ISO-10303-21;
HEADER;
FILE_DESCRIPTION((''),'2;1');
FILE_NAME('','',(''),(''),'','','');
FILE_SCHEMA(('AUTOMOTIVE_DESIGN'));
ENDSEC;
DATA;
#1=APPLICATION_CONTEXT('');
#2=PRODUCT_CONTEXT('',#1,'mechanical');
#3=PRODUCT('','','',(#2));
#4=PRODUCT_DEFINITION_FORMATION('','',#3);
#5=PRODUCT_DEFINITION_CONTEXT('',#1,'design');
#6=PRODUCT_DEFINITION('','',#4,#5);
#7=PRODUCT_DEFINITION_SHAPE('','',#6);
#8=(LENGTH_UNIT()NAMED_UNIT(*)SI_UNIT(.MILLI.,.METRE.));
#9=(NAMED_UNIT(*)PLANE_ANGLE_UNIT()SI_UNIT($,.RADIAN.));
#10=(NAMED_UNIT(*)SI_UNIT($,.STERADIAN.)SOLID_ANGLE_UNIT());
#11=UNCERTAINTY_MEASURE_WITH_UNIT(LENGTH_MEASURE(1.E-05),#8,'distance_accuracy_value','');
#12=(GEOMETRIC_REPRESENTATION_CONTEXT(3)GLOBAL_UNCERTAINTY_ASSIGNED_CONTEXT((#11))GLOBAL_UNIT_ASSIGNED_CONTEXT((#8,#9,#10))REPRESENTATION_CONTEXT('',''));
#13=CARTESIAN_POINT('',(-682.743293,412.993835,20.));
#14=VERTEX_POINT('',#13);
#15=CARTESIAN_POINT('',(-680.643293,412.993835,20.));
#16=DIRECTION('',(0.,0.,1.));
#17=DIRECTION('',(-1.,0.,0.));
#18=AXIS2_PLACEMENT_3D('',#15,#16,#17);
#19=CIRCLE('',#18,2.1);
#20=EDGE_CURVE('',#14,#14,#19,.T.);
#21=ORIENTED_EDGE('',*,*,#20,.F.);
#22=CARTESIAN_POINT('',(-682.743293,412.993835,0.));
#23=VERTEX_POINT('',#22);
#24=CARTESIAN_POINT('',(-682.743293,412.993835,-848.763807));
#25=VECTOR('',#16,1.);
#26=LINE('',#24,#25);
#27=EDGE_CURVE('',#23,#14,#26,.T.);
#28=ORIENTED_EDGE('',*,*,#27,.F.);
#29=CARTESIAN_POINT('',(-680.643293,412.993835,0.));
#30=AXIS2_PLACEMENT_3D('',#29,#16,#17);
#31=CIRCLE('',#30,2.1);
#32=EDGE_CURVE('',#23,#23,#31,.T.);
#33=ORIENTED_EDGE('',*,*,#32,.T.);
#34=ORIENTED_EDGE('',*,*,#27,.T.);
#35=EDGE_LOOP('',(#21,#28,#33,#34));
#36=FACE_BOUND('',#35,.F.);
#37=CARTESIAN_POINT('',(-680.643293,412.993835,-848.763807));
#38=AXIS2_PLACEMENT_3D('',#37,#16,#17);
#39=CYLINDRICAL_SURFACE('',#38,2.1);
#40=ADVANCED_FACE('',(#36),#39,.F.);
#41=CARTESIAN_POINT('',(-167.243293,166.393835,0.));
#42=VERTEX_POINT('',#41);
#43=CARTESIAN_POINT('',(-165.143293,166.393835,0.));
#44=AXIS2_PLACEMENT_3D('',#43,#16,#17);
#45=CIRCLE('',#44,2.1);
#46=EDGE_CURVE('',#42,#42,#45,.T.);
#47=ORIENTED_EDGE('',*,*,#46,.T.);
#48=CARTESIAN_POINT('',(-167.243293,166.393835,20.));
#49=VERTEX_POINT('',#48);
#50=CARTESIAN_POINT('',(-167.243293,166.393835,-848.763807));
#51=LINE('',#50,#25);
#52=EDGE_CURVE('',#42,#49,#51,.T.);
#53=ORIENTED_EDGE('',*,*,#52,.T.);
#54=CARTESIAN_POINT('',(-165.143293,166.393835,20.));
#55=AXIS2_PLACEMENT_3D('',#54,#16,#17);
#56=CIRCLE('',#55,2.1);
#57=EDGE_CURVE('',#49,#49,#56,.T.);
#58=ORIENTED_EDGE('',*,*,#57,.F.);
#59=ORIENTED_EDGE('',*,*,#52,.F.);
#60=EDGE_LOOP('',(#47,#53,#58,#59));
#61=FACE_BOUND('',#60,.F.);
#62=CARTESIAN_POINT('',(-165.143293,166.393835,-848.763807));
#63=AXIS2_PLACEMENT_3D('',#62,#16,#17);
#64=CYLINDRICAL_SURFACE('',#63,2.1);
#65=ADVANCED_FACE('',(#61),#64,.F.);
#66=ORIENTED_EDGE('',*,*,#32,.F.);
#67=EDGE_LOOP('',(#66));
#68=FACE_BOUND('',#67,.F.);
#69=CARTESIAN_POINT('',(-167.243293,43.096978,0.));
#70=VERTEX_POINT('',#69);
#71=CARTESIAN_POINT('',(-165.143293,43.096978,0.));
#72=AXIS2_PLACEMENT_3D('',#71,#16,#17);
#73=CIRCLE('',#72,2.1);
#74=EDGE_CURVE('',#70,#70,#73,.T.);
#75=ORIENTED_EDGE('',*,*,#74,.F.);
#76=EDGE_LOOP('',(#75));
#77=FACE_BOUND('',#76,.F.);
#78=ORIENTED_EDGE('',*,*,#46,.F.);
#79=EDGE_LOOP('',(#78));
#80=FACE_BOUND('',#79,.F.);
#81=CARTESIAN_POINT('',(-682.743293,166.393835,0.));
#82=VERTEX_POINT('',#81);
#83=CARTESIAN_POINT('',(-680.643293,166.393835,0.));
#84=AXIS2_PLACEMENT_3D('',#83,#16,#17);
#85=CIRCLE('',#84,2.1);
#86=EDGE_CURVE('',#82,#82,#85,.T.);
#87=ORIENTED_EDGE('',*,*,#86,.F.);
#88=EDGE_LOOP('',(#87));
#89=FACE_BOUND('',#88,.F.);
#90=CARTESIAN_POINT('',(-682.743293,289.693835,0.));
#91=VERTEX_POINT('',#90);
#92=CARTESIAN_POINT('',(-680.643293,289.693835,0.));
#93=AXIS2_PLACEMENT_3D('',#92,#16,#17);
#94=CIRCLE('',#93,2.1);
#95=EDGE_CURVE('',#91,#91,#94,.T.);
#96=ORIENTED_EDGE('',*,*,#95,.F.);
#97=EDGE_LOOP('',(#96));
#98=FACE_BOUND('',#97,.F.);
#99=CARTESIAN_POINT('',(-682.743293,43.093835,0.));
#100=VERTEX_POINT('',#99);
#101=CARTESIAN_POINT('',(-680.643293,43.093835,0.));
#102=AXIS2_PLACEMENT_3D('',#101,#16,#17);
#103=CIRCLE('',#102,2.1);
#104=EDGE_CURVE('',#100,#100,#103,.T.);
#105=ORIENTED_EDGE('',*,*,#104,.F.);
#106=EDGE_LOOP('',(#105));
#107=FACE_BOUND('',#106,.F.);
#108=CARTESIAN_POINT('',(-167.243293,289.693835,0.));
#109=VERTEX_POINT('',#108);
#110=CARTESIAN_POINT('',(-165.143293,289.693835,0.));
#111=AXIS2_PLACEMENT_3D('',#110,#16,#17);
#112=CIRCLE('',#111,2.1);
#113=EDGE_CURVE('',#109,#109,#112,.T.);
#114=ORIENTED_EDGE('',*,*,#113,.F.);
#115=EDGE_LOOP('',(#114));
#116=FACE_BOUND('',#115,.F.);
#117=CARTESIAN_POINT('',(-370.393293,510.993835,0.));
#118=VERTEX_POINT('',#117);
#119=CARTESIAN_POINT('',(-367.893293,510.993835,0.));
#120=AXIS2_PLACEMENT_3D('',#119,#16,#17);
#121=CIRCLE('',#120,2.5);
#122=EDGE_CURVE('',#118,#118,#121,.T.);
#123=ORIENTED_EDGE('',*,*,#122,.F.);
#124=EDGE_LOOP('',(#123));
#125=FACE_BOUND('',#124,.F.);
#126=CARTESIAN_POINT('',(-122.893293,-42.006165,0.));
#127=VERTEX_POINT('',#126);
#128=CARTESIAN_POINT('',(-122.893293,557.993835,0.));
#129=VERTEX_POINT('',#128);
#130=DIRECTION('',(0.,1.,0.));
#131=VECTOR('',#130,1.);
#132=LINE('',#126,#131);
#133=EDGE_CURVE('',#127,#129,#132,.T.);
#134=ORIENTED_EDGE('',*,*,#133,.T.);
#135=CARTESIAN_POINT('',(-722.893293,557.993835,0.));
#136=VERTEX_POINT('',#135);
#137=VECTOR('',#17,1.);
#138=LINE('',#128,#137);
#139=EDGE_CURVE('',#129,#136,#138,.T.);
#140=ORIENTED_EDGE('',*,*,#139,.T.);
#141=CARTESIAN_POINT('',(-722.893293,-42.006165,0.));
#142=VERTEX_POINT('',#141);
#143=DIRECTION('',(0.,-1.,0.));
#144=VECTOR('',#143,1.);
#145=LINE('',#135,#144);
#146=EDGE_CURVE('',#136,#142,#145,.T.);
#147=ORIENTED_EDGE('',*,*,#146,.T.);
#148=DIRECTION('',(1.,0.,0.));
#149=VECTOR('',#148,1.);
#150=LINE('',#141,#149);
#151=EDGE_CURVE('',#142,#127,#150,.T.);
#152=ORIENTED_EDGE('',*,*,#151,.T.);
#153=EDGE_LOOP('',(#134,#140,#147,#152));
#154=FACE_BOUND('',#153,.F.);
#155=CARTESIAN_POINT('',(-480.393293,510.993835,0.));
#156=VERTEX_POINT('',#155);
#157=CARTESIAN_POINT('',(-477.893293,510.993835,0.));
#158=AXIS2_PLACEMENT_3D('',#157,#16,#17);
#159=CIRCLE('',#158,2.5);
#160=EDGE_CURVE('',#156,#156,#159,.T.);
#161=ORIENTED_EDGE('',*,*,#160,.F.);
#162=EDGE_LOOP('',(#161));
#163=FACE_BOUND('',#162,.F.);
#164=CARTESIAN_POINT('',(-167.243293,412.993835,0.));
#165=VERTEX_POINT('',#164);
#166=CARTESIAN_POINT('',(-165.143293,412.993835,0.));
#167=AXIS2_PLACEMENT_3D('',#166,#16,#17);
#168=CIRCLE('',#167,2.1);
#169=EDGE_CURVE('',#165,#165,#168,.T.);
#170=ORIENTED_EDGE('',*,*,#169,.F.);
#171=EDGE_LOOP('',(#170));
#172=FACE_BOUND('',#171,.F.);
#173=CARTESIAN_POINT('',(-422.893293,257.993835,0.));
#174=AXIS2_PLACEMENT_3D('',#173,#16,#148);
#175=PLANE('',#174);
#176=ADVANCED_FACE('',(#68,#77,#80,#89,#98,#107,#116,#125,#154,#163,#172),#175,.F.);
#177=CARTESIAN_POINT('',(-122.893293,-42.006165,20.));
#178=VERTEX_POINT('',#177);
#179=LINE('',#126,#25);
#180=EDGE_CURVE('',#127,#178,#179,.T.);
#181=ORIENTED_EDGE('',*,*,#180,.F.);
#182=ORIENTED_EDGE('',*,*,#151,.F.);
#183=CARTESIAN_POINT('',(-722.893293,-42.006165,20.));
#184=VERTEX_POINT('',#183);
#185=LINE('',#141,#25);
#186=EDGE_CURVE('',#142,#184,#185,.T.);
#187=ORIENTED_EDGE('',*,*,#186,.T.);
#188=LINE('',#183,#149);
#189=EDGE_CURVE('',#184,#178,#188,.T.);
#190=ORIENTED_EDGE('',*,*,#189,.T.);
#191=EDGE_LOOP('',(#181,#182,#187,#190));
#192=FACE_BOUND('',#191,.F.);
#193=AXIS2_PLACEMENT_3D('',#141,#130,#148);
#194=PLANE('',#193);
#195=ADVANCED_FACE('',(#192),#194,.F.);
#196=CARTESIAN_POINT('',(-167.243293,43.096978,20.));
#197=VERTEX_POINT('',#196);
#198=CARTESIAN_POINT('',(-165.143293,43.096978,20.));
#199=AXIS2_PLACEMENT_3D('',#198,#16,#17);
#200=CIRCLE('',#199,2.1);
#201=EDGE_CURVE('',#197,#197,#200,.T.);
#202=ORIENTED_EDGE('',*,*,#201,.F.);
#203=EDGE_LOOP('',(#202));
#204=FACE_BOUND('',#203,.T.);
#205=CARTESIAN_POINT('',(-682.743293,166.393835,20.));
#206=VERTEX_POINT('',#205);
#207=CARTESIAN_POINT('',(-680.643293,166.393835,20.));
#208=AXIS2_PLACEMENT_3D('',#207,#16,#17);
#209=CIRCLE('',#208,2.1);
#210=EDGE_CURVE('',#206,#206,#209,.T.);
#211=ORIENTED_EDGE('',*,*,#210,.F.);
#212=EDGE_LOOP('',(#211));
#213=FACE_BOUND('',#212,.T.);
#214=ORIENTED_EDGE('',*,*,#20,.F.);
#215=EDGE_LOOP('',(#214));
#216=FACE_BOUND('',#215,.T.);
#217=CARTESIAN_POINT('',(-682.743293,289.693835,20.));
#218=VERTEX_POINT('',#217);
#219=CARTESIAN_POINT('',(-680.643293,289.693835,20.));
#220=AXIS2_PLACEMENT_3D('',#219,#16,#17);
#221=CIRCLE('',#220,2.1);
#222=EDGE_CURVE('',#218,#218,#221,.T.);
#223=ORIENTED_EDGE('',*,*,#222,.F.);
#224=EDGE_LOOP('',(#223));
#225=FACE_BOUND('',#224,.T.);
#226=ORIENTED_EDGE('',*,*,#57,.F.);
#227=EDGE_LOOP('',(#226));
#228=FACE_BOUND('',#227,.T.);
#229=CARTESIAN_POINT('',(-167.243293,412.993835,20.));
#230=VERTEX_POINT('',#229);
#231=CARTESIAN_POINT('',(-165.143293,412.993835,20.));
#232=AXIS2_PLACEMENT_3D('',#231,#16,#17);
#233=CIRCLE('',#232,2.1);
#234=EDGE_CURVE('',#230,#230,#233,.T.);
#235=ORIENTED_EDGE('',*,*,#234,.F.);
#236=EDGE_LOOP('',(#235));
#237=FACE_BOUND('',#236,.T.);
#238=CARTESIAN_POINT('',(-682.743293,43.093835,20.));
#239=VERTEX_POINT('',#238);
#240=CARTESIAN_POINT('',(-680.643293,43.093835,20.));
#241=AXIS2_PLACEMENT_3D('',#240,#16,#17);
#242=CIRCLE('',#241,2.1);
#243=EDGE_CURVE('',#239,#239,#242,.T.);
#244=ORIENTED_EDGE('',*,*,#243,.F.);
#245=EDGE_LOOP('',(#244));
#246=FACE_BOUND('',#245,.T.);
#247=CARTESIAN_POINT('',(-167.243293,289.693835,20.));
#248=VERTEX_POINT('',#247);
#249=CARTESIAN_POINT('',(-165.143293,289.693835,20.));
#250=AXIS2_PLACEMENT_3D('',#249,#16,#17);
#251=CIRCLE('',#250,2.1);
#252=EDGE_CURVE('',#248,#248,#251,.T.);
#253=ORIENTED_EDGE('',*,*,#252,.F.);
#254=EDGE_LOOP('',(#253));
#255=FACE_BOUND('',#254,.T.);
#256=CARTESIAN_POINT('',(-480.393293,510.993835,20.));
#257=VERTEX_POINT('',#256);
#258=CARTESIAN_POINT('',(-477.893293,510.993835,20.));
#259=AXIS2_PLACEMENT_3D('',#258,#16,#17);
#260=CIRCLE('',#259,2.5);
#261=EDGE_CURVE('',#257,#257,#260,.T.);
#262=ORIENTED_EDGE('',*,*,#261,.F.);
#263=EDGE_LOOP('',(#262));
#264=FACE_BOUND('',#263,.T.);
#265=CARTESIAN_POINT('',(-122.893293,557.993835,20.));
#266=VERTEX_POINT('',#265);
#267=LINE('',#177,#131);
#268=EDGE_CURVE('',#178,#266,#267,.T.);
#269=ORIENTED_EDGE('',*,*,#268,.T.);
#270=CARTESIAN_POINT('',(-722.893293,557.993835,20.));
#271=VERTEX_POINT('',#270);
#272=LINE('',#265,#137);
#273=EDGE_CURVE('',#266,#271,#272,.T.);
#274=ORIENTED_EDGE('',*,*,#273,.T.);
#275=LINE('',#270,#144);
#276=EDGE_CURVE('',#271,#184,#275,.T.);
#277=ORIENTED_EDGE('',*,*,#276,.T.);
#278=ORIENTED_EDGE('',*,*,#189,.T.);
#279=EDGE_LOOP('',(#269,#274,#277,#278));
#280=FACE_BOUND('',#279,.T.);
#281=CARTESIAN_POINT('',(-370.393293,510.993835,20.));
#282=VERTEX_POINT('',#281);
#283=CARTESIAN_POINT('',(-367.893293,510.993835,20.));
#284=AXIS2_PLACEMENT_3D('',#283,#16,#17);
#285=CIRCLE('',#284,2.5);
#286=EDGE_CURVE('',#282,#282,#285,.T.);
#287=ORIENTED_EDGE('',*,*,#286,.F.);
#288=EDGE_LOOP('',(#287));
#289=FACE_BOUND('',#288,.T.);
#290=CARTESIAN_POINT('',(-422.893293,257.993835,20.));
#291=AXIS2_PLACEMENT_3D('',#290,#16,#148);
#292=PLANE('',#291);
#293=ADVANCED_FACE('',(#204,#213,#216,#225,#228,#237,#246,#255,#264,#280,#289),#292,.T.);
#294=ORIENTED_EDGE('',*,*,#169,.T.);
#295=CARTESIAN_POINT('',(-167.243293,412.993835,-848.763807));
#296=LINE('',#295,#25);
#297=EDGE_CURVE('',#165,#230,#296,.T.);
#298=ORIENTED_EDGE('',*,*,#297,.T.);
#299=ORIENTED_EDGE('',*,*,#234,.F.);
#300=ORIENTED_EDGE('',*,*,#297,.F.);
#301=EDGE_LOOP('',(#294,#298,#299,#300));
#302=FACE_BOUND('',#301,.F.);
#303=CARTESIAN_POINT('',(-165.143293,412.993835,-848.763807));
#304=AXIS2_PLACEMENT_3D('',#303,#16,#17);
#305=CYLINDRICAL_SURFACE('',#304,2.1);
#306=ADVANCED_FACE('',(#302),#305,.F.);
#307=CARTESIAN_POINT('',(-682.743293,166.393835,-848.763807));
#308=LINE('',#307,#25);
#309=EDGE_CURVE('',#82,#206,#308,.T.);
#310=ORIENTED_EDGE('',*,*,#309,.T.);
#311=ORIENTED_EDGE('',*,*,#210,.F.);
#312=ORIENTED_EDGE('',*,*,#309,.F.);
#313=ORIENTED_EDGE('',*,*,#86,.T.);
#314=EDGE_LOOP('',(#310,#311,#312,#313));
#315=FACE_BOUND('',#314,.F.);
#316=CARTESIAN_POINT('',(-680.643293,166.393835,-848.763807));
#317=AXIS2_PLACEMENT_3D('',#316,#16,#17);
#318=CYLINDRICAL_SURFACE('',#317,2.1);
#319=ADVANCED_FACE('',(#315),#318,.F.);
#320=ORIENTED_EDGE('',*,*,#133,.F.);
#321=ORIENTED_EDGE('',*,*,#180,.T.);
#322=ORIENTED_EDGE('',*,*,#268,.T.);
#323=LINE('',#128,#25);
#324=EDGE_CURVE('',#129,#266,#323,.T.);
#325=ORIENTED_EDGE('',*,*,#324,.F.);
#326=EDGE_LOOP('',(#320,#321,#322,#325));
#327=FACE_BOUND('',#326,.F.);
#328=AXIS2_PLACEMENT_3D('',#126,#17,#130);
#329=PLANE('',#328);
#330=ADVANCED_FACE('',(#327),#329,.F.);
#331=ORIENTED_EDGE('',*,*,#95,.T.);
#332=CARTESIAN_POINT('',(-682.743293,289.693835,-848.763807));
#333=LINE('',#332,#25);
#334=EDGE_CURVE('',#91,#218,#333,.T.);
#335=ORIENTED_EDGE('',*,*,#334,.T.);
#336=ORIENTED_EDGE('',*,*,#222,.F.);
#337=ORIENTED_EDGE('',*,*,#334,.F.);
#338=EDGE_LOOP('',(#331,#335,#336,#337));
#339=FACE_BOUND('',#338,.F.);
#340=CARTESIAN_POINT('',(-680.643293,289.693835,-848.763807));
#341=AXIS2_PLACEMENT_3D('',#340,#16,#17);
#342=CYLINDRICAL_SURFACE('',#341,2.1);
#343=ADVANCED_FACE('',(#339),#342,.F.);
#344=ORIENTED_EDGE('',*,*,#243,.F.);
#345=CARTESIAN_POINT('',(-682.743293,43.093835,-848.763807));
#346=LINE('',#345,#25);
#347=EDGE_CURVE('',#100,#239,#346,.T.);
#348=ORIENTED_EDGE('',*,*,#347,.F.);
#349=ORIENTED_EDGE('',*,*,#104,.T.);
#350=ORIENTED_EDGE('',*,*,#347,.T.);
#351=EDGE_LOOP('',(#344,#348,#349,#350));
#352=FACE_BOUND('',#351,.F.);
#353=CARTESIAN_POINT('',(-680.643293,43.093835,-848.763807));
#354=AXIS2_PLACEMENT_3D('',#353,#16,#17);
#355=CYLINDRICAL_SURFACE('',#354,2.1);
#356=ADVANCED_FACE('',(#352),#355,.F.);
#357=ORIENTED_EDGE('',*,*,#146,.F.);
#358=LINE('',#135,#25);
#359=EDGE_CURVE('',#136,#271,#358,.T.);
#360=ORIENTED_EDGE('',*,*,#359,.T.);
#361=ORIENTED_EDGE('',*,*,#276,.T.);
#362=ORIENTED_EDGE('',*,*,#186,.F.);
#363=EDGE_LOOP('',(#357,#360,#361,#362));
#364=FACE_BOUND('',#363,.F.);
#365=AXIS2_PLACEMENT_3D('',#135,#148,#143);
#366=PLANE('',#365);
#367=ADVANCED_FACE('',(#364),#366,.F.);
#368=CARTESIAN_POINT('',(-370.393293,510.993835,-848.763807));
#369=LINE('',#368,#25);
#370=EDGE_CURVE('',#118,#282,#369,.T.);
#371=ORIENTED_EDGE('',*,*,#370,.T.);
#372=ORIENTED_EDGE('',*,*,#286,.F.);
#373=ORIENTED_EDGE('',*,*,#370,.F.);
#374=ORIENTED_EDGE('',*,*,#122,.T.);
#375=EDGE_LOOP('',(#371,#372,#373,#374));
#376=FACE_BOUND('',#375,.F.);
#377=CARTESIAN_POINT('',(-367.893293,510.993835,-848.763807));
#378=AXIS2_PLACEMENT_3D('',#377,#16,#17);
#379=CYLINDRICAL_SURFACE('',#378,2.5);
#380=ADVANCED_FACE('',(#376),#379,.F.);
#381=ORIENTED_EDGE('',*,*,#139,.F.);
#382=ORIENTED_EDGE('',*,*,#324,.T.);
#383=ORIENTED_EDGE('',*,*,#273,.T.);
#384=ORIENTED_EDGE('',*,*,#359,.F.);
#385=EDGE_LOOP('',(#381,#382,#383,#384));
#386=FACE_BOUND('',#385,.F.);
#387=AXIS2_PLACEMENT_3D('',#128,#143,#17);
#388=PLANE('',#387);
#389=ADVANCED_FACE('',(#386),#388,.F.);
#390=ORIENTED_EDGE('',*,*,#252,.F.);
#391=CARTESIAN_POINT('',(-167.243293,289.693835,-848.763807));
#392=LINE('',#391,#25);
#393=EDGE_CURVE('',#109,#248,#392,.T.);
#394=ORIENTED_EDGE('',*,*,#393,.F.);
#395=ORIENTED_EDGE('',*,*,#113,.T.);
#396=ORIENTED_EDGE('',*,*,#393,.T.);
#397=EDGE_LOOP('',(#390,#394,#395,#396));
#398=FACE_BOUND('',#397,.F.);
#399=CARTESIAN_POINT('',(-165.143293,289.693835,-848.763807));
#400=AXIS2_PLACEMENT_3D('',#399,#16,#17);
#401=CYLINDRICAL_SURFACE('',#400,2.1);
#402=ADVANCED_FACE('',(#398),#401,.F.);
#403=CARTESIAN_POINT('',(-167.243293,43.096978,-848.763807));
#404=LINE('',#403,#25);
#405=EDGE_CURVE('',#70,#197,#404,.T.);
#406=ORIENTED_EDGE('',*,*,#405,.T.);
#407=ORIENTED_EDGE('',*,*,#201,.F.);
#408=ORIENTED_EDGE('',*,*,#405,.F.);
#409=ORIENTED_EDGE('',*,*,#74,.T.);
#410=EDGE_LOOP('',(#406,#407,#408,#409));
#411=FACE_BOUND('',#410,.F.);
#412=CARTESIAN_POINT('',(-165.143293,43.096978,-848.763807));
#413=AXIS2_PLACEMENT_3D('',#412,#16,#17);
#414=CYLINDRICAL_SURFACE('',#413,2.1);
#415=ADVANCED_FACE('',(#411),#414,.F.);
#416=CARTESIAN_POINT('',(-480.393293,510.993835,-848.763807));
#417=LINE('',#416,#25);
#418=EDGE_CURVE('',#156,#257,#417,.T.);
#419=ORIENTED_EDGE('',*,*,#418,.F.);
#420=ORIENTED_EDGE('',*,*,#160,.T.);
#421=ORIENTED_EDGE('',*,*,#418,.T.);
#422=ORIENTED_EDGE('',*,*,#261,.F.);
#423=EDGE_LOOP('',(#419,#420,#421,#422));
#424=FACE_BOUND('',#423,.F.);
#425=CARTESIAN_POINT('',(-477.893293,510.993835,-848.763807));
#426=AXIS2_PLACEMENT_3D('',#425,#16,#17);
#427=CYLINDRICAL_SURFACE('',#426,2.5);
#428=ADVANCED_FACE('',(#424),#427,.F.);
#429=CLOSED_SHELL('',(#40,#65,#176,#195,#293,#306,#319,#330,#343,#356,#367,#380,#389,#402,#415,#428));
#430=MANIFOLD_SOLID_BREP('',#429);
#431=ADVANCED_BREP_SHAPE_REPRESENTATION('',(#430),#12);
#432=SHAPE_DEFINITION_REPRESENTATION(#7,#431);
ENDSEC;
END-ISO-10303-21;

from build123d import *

# Parameters (mm, degrees)
F1_DEPTH = 20
F2_D     = 5
F3_D     = 4.2


with BuildPart() as f1:
    # F0 (on Top) → F1 (new body)
    with BuildSketch(Plane.XY):
        Polygon((-122.8932932019, 557.9938352108), (-722.8932932019, 557.9938352108), (-722.8932932019, -42.0061647892), (-422.8932932019, -42.0061647892), (-122.8932932019, -42.0061647892), align=None)
    extrude(amount=F1_DEPTH)

    # F2 (through all)
    with Locations(Plane(origin=(0, 0, 0), x_dir=(1, 0, 0), z_dir=(0, 0, -1))):
        with Locations((-477.8932932019, -510.9938352108), (-367.8932932019, -510.9938352108)):
            Hole(F2_D / 2)

    # F3 (through all)
    with Locations(Plane(origin=(0, 0, 0), x_dir=(1, 0, 0), z_dir=(0, 0, -1))):
        with Locations((-680.6432932019, -412.9938352108), (-680.6432932019, -289.6938352108), (-680.6432932019, -166.3938352108), (-680.6432932019, -43.0938352108), (-165.1432932019, -43.0969782174), (-165.1432932019, -166.3938352108), (-165.1432932019, -289.6938352108), (-165.1432932019, -412.9938352108)):
            Hole(F3_D / 2)


solid = f1.part
